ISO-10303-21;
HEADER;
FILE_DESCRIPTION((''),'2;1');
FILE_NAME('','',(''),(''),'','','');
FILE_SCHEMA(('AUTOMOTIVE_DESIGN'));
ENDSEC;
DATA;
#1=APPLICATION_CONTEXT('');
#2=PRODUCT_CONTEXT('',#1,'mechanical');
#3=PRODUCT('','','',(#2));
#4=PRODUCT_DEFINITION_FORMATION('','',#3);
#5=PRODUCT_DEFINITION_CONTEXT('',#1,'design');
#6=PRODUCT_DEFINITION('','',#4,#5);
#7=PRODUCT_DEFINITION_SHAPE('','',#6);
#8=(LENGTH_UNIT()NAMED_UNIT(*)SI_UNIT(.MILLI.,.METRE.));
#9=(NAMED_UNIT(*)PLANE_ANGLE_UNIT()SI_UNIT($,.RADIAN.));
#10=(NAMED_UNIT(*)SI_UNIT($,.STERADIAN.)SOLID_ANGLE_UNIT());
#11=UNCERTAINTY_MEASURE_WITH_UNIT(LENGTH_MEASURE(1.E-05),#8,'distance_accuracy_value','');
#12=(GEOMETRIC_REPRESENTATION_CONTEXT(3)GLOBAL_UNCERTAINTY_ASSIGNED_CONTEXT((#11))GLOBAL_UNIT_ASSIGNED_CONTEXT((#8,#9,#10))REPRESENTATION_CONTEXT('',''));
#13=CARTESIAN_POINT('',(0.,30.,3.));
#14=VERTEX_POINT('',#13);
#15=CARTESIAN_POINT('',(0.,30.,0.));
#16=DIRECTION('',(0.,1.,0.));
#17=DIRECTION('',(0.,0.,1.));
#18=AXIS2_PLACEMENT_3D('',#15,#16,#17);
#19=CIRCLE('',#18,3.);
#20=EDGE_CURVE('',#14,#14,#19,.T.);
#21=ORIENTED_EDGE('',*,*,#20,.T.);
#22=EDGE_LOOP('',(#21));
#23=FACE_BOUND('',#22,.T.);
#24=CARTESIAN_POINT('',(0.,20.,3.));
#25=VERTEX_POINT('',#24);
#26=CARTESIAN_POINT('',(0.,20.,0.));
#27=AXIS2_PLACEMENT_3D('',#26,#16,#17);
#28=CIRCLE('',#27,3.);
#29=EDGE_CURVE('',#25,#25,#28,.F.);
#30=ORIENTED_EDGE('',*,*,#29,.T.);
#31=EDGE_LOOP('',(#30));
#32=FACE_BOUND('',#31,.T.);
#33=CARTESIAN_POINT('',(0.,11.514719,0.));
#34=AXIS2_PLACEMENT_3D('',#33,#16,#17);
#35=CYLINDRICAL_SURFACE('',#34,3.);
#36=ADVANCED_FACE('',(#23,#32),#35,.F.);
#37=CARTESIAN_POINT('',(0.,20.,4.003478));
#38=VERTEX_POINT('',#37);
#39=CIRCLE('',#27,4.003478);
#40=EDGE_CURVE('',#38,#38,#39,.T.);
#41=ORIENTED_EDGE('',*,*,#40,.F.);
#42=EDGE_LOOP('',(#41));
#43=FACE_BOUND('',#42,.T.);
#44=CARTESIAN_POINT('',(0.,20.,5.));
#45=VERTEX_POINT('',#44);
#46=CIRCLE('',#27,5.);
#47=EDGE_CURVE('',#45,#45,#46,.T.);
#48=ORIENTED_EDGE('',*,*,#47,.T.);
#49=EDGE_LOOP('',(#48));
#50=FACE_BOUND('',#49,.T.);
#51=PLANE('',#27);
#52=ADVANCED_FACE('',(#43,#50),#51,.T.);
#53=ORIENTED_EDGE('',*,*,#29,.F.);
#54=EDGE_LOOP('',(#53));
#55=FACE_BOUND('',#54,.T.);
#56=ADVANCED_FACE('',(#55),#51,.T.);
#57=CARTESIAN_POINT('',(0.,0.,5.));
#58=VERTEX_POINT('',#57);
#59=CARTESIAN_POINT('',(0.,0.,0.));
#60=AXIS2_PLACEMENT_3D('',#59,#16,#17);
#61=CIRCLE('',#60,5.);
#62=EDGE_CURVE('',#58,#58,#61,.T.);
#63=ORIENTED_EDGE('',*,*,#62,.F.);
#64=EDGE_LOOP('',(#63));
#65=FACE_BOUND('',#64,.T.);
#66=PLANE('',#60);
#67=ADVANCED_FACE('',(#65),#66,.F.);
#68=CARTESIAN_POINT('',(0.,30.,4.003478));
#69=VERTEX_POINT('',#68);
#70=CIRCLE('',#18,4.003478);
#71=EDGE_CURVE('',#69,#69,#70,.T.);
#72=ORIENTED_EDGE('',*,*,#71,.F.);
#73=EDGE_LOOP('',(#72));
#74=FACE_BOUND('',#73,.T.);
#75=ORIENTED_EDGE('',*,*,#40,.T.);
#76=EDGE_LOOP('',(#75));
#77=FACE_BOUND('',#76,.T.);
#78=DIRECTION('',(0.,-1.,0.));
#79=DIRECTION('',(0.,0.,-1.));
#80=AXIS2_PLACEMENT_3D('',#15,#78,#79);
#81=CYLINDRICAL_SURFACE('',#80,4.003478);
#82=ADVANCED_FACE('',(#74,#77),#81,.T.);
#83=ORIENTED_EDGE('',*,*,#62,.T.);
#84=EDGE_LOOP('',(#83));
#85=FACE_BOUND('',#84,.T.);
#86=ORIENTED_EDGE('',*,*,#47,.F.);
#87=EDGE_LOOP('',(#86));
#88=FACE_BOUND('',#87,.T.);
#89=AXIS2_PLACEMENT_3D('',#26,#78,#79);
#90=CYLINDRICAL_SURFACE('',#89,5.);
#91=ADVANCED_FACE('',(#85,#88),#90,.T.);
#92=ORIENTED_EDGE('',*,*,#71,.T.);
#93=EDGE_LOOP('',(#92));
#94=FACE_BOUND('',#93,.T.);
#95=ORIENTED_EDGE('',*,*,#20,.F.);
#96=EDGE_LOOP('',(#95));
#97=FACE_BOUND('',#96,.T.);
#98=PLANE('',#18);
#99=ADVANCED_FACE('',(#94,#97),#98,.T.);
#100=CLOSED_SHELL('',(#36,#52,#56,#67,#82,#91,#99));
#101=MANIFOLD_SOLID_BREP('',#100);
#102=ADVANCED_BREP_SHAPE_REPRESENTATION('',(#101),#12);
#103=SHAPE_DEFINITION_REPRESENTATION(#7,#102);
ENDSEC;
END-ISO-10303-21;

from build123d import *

# Parameters (mm, degrees)
SKETCH_1_R          = 5
EXTRUDE_1_DEPTH     = 20
SKETCH_2_R          = 4.003478206
EXTRUDE_2_DEPTH     = 10
SKETCH_3_R          = 3
CUT_EXTRUDE_1_DEPTH = 10


with BuildPart() as part:
    # 草图1 → 凸台-拉伸1 (new body)
    with BuildSketch(Plane(origin=(0, 0, 0), x_dir=(1, 0, 0), z_dir=(0, 1, 0))):
        with Locations(Location((0, 0, 0), (0, 0, 270))):
            Circle(SKETCH_1_R)
    extrude(amount=EXTRUDE_1_DEPTH)

    # 草图2 → 凸台-拉伸2 (add)
    with BuildSketch(Plane(origin=(0, 20, 0), x_dir=(1, 0, 0), z_dir=(0, 1, 0))):
        with Locations(Location((0, 0, 0), (0, 0, 270))):
            Circle(SKETCH_2_R)
    extrude(amount=EXTRUDE_2_DEPTH)

    # 草图3 → 切除-拉伸1 (cut)
    with BuildSketch(Plane(origin=(0, 30, 0), x_dir=(1, 0, 0), z_dir=(0, 1, 0))):
        with Locations(Location((0, 0, 0), (0, 0, 270))):
            Circle(SKETCH_3_R)
    extrude(amount=-CUT_EXTRUDE_1_DEPTH, mode=Mode.SUBTRACT)


solid = part.part
